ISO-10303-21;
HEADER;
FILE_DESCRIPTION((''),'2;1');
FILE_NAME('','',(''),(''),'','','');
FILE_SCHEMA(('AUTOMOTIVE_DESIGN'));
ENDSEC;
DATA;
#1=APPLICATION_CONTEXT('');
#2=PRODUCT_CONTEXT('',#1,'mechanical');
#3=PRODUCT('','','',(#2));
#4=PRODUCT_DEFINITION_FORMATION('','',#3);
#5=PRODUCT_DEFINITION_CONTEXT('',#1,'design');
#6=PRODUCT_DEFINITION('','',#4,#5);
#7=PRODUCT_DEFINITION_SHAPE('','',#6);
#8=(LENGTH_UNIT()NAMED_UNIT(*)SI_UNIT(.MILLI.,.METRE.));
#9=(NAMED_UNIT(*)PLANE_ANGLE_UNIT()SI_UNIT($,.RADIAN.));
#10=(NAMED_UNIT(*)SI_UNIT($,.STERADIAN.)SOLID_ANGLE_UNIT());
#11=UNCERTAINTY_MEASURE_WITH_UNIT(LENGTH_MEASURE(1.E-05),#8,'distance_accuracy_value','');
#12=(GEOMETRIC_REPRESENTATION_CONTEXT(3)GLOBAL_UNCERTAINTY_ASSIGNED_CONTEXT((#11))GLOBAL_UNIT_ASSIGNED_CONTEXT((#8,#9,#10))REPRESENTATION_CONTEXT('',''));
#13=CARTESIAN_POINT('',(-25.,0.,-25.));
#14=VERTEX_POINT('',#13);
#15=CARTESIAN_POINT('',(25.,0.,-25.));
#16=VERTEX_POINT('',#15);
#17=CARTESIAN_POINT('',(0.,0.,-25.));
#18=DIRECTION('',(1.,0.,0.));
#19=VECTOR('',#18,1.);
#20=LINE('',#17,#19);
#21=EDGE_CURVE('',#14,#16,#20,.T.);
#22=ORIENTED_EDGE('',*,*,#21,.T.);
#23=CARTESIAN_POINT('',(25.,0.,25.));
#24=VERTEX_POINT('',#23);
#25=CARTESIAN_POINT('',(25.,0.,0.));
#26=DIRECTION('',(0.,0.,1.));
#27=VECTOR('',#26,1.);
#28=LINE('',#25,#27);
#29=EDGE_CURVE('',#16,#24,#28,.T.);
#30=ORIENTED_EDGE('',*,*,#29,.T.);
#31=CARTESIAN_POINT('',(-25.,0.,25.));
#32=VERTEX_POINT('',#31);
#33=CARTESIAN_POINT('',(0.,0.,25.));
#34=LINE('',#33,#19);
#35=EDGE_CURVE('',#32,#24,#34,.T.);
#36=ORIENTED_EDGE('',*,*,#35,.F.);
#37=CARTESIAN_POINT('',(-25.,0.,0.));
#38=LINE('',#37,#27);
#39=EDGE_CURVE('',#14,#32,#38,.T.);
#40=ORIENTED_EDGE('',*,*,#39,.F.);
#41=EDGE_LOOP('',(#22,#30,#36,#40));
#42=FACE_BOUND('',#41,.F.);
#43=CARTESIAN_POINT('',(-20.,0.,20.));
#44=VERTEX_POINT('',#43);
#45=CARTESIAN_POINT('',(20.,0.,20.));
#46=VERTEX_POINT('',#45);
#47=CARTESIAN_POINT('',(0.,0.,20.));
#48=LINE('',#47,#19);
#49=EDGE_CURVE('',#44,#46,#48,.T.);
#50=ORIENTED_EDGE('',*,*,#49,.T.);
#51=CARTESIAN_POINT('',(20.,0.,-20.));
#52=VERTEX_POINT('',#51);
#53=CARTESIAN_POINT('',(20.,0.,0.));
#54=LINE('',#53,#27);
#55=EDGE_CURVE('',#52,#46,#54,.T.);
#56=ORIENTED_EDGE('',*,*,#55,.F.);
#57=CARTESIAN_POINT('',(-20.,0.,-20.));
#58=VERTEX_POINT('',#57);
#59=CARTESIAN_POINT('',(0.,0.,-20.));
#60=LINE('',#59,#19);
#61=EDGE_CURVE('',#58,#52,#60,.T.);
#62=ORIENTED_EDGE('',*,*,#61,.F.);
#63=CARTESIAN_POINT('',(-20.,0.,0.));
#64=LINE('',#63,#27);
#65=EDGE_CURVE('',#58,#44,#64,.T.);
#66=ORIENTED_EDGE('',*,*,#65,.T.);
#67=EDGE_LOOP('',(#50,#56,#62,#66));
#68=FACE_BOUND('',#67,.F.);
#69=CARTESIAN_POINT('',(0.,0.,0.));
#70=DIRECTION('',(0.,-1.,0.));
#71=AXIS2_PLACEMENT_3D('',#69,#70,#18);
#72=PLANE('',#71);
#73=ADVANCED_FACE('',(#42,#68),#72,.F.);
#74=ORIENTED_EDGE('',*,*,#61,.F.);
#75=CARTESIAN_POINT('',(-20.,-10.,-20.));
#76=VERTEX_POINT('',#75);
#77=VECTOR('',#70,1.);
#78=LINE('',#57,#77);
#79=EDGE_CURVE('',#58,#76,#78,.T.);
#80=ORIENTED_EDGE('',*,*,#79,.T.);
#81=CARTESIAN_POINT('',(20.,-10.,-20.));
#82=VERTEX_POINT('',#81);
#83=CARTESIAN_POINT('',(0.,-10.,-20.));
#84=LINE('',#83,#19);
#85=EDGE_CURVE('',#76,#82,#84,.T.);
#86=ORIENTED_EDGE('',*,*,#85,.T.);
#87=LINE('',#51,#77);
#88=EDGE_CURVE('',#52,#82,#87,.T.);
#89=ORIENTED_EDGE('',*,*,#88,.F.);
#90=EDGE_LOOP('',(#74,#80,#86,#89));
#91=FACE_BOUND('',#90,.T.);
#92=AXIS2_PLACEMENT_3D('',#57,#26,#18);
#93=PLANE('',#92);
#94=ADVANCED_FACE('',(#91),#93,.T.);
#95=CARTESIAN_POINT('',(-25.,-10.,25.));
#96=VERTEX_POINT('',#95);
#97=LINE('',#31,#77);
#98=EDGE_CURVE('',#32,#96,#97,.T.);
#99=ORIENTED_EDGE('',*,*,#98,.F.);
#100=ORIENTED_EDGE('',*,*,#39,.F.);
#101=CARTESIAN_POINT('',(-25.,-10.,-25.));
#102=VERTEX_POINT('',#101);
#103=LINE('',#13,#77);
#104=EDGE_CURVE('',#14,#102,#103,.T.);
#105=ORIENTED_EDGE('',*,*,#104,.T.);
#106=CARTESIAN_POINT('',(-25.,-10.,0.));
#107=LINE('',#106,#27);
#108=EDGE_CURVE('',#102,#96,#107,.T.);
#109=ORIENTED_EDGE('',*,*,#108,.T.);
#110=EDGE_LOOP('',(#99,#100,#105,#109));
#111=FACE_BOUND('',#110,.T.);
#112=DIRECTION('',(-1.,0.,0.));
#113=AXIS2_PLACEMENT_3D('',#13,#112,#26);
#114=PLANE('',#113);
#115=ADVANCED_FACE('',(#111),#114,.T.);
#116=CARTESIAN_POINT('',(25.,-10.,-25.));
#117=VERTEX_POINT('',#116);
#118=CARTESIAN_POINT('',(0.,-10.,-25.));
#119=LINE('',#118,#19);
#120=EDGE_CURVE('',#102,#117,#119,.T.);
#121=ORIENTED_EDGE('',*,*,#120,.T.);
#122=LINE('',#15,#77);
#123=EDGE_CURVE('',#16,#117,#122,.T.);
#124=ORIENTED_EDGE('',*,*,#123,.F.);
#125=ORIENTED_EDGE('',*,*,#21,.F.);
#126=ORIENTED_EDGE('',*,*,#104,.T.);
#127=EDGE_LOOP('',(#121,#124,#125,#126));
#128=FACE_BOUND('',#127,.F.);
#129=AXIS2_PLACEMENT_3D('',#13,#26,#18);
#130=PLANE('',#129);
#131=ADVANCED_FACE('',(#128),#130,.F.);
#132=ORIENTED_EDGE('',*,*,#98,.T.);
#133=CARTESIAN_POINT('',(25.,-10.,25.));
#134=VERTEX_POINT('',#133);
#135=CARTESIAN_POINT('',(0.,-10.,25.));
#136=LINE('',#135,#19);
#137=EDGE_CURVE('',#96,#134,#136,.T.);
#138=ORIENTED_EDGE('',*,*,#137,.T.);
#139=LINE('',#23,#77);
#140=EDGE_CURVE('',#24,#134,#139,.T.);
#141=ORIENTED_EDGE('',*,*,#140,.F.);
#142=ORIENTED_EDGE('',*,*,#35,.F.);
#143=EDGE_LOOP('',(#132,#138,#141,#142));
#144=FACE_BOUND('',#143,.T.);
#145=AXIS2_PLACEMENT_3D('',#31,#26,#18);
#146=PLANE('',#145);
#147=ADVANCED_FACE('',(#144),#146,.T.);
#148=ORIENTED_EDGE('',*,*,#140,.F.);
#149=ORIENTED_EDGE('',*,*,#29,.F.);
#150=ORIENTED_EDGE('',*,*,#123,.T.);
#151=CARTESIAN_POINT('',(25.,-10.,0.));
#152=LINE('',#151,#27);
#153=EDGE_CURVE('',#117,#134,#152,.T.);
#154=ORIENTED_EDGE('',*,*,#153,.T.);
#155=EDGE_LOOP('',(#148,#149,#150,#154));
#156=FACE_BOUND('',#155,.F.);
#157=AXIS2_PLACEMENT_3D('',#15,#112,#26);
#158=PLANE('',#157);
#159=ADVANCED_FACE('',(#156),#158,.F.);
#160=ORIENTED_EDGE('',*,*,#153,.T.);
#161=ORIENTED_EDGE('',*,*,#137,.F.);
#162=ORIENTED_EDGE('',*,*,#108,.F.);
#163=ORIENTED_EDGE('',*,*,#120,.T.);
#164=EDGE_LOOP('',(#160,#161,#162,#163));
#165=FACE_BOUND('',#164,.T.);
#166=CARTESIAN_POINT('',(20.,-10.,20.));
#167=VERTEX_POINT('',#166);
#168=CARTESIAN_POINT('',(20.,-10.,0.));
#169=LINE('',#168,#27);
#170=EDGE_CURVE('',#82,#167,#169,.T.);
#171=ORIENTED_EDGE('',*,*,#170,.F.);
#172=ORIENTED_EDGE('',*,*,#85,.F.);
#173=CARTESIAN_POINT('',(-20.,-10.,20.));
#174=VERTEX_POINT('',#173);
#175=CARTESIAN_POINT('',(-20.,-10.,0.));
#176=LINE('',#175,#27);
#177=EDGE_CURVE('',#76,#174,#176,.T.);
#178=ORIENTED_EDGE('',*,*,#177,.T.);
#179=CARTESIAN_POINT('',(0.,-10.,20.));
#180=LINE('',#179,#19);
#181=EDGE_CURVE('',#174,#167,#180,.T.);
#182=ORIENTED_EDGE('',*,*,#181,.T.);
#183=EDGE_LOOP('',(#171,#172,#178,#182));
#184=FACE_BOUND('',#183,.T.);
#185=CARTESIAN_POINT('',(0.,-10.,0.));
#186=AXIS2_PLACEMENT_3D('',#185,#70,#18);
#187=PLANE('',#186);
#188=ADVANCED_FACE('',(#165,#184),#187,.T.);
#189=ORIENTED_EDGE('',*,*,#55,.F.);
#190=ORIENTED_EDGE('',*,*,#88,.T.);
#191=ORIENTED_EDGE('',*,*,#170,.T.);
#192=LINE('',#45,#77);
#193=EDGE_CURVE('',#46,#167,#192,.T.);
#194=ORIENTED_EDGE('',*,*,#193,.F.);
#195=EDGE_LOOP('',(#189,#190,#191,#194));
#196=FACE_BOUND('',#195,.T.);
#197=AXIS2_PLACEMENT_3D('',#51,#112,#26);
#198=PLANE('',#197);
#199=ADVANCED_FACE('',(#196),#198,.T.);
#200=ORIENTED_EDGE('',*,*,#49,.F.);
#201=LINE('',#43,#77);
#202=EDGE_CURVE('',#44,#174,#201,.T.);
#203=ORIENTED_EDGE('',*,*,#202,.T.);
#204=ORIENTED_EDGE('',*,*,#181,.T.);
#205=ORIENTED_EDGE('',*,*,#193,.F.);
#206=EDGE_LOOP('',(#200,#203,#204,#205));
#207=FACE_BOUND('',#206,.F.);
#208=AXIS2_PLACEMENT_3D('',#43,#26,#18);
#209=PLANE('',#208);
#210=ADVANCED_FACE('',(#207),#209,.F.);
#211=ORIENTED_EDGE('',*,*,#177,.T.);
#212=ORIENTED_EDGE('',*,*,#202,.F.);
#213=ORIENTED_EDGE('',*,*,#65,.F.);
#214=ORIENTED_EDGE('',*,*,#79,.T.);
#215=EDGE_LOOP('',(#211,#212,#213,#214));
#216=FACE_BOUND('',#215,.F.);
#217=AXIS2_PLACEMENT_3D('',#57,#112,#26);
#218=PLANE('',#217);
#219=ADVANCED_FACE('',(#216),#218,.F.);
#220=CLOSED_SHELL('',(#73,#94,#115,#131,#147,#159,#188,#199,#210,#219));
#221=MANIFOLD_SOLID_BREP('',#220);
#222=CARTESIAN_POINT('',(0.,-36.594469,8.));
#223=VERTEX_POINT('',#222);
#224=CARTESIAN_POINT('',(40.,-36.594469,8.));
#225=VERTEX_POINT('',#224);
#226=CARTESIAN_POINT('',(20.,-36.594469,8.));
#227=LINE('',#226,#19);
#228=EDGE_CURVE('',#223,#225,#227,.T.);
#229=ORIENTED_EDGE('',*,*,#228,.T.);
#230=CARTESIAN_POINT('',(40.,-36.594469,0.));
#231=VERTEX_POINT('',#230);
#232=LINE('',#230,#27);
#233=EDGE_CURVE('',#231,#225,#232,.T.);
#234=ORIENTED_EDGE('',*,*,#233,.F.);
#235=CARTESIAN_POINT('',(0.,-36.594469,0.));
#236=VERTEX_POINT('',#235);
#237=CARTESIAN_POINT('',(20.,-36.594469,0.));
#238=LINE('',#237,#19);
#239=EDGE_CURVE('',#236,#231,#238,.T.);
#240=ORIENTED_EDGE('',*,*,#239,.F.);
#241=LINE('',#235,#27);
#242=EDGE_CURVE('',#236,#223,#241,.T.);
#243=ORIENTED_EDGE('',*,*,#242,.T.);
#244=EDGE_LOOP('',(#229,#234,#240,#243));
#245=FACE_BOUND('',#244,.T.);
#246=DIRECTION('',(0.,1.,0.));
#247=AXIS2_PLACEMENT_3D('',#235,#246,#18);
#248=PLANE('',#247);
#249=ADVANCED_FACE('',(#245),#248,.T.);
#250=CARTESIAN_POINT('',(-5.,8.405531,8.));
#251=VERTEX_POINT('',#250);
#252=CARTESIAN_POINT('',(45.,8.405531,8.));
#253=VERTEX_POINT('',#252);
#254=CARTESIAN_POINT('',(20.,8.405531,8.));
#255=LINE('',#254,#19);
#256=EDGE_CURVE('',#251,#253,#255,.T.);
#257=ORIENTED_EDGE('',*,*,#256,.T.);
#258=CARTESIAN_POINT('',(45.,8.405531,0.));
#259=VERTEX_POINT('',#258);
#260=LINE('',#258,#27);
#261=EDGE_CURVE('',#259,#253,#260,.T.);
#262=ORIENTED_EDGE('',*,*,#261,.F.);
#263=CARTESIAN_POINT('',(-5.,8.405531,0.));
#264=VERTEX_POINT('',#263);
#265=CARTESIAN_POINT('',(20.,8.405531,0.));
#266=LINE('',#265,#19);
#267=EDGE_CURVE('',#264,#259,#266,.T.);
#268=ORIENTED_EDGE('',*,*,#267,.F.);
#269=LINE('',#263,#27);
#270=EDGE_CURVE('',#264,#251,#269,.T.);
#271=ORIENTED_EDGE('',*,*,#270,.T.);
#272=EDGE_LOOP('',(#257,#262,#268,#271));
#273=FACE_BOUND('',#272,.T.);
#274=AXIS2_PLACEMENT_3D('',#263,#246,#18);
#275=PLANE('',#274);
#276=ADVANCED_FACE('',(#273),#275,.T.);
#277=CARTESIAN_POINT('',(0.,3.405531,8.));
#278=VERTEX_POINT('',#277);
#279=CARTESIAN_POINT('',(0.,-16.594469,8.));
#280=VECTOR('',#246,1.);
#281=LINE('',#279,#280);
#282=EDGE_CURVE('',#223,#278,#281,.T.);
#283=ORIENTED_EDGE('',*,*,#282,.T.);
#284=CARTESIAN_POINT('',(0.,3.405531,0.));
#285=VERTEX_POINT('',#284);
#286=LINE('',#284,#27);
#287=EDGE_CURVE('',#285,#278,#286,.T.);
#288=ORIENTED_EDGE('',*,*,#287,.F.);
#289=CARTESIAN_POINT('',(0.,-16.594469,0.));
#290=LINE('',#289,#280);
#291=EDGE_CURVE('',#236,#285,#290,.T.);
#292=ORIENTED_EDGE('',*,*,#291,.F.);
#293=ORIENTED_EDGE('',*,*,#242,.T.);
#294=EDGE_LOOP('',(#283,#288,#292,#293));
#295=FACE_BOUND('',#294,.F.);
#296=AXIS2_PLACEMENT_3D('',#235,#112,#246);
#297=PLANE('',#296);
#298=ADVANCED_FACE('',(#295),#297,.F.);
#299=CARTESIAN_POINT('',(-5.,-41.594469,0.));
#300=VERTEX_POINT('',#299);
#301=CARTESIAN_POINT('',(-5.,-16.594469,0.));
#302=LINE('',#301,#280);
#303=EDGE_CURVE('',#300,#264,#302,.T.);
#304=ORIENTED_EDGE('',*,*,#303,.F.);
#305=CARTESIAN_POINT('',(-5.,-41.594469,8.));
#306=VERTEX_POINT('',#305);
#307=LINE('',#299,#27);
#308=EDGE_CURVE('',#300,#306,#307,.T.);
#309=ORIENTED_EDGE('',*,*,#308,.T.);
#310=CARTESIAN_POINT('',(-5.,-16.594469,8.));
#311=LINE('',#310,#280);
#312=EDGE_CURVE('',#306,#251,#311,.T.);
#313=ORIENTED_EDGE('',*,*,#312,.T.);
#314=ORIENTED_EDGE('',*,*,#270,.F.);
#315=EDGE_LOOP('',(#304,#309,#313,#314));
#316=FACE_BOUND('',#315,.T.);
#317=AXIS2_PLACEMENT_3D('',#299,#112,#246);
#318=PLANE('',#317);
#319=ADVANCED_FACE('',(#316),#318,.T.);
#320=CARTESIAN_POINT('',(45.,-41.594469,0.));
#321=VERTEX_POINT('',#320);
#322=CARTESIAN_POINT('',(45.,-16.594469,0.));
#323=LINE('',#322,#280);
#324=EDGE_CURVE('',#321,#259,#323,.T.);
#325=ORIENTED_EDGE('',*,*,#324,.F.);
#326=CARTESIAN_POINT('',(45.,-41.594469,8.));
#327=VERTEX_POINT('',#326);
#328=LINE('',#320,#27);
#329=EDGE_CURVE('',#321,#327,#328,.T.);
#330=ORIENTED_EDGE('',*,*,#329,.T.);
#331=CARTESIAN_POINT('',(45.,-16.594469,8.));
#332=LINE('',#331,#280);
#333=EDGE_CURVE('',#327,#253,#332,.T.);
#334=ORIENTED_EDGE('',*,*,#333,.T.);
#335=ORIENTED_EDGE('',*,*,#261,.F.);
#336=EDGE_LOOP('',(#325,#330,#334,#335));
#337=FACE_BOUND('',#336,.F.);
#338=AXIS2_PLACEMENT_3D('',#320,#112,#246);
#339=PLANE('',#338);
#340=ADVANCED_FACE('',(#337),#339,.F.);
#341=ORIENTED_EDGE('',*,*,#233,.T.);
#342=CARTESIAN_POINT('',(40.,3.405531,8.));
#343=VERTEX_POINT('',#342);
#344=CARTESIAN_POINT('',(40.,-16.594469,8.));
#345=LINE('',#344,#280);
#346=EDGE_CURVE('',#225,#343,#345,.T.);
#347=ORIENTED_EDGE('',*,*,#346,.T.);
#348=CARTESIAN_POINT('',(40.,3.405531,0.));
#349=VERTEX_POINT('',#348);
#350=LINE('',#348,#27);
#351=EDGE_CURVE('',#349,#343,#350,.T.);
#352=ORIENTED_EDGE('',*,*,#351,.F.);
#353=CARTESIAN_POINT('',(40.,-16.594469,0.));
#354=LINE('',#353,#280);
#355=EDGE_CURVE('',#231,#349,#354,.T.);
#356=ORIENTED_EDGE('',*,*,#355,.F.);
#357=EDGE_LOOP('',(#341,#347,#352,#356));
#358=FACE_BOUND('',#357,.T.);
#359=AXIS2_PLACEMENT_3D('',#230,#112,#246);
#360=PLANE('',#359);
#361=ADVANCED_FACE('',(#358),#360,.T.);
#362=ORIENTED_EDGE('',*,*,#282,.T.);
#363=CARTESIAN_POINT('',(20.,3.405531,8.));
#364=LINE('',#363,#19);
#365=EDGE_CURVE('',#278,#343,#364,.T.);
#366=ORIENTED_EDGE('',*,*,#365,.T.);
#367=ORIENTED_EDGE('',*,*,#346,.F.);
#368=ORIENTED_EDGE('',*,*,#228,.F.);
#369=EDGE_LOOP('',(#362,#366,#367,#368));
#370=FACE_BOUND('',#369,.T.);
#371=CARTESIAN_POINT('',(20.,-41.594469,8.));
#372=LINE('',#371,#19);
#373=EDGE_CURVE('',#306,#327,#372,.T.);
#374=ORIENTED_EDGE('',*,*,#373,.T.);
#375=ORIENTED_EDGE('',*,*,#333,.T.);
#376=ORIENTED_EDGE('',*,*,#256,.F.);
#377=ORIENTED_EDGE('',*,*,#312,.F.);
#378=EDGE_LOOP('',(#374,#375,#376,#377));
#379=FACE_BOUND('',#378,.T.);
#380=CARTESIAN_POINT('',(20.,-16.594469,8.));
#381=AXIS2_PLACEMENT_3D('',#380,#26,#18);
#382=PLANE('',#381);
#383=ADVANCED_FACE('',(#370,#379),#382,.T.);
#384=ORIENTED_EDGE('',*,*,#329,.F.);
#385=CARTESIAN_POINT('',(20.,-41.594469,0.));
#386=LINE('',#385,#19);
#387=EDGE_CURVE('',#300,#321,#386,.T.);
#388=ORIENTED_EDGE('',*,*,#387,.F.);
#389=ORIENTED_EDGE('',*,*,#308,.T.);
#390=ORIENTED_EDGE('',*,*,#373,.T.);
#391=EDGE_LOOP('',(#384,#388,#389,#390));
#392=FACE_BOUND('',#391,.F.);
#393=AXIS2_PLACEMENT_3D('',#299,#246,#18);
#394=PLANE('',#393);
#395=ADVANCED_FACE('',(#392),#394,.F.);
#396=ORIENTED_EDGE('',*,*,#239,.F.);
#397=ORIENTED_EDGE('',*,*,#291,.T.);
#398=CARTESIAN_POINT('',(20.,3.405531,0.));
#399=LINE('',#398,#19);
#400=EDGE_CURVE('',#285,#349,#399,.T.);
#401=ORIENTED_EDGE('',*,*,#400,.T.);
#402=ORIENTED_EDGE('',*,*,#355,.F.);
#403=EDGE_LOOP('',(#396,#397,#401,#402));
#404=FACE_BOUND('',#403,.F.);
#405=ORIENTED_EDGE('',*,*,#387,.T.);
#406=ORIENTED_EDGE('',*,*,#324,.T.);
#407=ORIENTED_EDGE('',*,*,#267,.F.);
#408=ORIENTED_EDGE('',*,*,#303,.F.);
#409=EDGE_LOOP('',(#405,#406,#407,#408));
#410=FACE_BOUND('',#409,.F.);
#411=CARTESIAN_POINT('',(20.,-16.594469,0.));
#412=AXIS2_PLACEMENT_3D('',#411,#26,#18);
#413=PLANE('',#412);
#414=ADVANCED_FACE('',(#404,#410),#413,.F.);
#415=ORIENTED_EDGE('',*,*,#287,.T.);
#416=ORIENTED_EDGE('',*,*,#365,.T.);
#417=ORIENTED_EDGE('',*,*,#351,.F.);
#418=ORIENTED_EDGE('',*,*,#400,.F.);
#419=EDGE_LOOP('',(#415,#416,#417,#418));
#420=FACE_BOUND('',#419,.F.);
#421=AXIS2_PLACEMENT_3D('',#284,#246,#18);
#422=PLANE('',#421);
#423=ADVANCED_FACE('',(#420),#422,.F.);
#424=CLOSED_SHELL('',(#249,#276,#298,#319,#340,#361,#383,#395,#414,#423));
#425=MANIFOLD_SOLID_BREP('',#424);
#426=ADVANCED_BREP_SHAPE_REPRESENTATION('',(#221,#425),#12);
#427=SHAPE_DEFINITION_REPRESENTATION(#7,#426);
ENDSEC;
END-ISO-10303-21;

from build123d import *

# Parameters (mm, degrees)
F0_W     = 50
F0_H     = 50
F0_W_2   = 40
F0_H_2   = 40
F1_DEPTH = 10
F2_W     = 50
F2_H     = 50
F2_W_2   = 40
F2_H_2   = 40
F3_DEPTH = 8


with BuildPart() as f1:
    # F0 (on Front) → F1 (new body)
    with BuildSketch(Plane.XZ):
        Rectangle(F0_W, F0_H)
        Rectangle(F0_W_2, F0_H_2, mode=Mode.SUBTRACT)
    extrude(amount=F1_DEPTH)


with BuildPart() as f3:
    # F2 (on Top) → F3 (new body)
    with BuildSketch(Plane.XY):
        with Locations((20, -16.594469)):
            Rectangle(F2_W, F2_H)
        with Locations((20, -16.594469)):
            Rectangle(F2_W_2, F2_H_2, mode=Mode.SUBTRACT)
    extrude(amount=F3_DEPTH)


solid = Compound([f1.part, f3.part])
